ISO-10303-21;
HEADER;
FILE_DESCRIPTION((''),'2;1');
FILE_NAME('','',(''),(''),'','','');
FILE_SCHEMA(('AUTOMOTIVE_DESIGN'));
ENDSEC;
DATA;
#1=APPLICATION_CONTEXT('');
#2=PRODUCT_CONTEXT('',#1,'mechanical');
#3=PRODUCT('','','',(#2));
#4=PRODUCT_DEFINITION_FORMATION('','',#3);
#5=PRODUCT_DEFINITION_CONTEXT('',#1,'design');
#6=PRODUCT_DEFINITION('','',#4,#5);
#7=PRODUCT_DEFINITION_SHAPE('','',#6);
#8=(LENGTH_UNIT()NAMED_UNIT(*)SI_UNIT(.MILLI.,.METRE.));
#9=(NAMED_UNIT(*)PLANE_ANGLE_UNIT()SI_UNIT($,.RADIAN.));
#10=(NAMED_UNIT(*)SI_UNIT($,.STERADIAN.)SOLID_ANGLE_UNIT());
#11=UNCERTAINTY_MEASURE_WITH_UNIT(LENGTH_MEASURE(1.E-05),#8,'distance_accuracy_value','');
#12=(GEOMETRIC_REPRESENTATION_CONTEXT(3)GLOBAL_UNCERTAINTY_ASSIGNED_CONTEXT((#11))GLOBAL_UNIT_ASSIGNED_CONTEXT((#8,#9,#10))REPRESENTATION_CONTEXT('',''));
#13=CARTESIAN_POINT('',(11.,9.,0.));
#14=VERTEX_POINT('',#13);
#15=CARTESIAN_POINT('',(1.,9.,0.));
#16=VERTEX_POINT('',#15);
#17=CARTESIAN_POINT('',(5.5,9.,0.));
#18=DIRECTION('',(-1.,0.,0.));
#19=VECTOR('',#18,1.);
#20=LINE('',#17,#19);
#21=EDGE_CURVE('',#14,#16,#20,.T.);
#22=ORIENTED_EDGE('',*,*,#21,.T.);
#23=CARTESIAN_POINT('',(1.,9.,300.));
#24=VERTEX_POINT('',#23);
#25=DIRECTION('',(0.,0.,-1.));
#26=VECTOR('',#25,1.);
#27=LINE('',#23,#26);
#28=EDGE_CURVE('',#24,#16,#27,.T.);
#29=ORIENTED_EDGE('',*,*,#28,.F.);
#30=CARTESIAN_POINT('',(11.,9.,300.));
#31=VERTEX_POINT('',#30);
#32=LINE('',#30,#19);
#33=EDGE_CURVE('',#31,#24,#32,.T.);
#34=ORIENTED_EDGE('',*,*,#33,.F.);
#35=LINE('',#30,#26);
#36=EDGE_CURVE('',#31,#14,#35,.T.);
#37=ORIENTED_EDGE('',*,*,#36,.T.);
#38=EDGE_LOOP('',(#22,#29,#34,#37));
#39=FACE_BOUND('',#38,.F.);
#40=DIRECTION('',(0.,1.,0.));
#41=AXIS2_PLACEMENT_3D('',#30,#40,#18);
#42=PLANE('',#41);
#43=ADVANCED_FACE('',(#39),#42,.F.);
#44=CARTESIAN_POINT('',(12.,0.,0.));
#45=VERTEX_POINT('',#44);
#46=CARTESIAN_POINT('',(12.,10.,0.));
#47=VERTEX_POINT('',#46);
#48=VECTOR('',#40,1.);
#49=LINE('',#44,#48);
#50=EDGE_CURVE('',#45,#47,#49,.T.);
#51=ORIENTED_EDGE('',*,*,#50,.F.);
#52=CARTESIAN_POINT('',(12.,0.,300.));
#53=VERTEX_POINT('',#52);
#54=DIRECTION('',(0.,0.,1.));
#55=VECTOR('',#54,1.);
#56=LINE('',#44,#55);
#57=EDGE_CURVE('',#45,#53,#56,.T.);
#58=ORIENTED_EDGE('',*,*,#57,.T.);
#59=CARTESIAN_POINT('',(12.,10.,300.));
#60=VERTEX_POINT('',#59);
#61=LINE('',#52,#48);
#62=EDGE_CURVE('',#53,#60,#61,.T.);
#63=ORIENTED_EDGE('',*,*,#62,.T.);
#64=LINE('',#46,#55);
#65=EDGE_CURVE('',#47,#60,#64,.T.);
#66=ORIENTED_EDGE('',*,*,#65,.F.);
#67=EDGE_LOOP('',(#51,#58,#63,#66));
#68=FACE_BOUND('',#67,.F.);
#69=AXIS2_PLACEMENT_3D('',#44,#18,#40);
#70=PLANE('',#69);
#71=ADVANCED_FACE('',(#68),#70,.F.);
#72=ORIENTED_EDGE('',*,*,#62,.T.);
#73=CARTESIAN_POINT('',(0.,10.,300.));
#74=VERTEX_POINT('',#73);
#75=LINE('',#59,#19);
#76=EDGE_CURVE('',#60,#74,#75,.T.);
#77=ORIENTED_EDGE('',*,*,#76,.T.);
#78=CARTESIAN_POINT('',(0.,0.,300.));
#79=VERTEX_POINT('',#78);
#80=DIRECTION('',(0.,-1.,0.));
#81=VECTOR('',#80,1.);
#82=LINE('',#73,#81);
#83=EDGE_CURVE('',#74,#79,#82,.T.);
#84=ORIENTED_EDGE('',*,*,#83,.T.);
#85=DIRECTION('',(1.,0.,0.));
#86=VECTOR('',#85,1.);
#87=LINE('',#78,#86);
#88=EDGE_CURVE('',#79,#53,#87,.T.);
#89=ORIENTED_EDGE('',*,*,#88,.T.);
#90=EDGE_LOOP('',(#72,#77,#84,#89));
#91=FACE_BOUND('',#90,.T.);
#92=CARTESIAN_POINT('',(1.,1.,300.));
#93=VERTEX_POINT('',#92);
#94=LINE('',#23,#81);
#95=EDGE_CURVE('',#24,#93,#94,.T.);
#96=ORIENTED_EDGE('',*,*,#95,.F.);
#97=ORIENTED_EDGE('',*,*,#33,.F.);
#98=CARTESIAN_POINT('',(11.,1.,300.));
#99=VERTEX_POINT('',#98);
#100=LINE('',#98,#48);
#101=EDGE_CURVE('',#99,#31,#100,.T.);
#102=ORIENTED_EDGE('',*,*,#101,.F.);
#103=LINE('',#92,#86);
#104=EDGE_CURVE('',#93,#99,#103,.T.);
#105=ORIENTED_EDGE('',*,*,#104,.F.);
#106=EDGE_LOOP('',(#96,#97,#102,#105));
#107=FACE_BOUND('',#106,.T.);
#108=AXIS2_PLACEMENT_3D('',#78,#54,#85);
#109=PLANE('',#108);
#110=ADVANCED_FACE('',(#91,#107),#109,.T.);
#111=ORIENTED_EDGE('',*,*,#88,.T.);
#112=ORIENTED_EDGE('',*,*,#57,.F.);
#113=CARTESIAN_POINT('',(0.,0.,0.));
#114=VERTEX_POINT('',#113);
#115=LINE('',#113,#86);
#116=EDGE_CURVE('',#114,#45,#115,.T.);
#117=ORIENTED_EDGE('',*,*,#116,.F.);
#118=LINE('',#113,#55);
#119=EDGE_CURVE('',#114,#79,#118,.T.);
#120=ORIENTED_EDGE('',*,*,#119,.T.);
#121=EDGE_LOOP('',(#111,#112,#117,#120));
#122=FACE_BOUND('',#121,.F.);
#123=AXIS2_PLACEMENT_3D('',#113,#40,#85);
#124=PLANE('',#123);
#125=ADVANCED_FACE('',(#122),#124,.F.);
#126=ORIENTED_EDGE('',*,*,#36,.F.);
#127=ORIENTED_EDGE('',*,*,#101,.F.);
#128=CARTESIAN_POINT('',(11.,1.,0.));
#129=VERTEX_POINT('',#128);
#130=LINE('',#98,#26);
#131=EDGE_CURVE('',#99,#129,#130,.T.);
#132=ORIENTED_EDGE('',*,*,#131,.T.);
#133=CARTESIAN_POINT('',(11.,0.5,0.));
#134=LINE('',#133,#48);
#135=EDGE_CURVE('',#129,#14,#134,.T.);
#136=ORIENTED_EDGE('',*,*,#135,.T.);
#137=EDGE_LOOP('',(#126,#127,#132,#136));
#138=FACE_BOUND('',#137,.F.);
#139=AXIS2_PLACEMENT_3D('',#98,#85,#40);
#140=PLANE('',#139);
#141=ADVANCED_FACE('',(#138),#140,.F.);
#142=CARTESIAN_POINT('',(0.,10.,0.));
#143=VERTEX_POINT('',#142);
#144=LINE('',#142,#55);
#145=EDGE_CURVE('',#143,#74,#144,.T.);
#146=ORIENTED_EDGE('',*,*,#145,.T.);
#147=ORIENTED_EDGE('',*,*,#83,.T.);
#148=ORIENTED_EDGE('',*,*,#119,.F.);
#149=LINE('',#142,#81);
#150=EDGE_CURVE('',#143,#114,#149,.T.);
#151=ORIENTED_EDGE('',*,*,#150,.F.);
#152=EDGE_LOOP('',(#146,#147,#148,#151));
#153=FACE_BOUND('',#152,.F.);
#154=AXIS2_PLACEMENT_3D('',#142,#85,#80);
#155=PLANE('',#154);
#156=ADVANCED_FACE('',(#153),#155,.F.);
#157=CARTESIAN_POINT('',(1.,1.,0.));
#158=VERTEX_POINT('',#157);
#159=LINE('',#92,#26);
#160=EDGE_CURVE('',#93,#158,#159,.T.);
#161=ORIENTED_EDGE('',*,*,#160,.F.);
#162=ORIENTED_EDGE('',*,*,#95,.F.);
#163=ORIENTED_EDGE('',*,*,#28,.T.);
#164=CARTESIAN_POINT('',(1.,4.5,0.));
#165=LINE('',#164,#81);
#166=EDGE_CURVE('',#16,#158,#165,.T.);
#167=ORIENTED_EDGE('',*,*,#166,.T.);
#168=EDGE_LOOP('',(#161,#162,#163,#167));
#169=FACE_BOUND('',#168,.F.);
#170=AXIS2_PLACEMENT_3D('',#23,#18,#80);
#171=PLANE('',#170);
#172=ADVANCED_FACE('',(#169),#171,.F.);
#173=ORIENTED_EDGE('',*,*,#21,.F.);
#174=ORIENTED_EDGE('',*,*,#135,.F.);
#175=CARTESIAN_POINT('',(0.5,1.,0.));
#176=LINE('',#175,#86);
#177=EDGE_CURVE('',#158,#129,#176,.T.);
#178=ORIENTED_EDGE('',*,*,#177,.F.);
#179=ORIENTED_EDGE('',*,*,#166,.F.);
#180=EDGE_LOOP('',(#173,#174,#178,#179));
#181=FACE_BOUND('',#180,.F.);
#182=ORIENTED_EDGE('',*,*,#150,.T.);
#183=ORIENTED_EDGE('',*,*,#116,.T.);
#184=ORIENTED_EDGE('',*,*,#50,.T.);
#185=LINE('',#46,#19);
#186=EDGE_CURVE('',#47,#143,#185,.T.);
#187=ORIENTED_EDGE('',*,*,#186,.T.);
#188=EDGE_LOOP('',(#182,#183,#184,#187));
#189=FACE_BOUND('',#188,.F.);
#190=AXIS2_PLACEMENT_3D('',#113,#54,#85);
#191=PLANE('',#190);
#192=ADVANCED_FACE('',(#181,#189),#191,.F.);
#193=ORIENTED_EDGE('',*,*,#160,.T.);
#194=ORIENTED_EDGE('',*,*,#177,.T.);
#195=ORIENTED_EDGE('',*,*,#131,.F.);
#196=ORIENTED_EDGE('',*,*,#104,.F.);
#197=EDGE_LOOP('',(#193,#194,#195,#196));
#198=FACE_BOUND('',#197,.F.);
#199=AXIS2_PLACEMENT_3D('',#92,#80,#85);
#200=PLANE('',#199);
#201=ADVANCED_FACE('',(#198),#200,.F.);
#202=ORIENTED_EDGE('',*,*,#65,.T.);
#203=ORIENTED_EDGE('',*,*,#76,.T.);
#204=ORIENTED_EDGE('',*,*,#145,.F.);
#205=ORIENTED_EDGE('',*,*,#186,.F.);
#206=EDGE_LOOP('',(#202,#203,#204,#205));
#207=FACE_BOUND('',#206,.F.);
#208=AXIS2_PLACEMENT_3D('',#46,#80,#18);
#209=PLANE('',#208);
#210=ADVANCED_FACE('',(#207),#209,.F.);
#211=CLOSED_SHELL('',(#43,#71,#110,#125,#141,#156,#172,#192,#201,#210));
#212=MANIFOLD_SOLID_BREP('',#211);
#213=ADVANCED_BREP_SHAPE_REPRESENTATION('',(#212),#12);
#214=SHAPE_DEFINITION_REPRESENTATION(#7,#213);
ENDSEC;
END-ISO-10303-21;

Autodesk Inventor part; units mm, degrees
ref_plane "YZ Plane" through (0, 0, 0) normal (1, 0, 0) x (0, 1, 0)
ref_plane "XZ Plane" through (0, 0, 0) normal (0, 1, 0) x (-1, 0, 0)
ref_plane "XY Plane" through (0, 0, 0) normal (0, 0, 1) x (1, 0, 0)
sketch "Sketch1" plane through (0, 0, 0) normal (0, 0, 1) x (1, 0, 0)
  line L0 (0, 0) -> (12, 0)
  line L1 (12, 0) -> (12, 10)
  line L2 (12, 10) -> (0, 10)
  line L3 (0, 10) -> (0, 0)
  dimension "d0" = 12
  dimension "d1" = 10
extrude "Extrusion1" add sketch "Sketch1" along normal blind 300
sketch "Sketch3" plane through (0, 0, 300) normal (0, 0, 1) x (1, 0, 0)
  line L0 (12, 10) -> (0, 10) projected
  line L1 (1, 1) -> (11, 1)
  line L2 (11, 1) -> (11, 9)
  line L3 (11, 9) -> (1, 9)
  line L4 (1, 9) -> (1, 1)
  line L5 (11, 1) -> (1, 9) construction
  point P0 (0, 0)
  point P1 (6, 5)
extrude "Extrusion3" cut sketch "Sketch3" against normal through all
properties part number "perfil aluminio"
